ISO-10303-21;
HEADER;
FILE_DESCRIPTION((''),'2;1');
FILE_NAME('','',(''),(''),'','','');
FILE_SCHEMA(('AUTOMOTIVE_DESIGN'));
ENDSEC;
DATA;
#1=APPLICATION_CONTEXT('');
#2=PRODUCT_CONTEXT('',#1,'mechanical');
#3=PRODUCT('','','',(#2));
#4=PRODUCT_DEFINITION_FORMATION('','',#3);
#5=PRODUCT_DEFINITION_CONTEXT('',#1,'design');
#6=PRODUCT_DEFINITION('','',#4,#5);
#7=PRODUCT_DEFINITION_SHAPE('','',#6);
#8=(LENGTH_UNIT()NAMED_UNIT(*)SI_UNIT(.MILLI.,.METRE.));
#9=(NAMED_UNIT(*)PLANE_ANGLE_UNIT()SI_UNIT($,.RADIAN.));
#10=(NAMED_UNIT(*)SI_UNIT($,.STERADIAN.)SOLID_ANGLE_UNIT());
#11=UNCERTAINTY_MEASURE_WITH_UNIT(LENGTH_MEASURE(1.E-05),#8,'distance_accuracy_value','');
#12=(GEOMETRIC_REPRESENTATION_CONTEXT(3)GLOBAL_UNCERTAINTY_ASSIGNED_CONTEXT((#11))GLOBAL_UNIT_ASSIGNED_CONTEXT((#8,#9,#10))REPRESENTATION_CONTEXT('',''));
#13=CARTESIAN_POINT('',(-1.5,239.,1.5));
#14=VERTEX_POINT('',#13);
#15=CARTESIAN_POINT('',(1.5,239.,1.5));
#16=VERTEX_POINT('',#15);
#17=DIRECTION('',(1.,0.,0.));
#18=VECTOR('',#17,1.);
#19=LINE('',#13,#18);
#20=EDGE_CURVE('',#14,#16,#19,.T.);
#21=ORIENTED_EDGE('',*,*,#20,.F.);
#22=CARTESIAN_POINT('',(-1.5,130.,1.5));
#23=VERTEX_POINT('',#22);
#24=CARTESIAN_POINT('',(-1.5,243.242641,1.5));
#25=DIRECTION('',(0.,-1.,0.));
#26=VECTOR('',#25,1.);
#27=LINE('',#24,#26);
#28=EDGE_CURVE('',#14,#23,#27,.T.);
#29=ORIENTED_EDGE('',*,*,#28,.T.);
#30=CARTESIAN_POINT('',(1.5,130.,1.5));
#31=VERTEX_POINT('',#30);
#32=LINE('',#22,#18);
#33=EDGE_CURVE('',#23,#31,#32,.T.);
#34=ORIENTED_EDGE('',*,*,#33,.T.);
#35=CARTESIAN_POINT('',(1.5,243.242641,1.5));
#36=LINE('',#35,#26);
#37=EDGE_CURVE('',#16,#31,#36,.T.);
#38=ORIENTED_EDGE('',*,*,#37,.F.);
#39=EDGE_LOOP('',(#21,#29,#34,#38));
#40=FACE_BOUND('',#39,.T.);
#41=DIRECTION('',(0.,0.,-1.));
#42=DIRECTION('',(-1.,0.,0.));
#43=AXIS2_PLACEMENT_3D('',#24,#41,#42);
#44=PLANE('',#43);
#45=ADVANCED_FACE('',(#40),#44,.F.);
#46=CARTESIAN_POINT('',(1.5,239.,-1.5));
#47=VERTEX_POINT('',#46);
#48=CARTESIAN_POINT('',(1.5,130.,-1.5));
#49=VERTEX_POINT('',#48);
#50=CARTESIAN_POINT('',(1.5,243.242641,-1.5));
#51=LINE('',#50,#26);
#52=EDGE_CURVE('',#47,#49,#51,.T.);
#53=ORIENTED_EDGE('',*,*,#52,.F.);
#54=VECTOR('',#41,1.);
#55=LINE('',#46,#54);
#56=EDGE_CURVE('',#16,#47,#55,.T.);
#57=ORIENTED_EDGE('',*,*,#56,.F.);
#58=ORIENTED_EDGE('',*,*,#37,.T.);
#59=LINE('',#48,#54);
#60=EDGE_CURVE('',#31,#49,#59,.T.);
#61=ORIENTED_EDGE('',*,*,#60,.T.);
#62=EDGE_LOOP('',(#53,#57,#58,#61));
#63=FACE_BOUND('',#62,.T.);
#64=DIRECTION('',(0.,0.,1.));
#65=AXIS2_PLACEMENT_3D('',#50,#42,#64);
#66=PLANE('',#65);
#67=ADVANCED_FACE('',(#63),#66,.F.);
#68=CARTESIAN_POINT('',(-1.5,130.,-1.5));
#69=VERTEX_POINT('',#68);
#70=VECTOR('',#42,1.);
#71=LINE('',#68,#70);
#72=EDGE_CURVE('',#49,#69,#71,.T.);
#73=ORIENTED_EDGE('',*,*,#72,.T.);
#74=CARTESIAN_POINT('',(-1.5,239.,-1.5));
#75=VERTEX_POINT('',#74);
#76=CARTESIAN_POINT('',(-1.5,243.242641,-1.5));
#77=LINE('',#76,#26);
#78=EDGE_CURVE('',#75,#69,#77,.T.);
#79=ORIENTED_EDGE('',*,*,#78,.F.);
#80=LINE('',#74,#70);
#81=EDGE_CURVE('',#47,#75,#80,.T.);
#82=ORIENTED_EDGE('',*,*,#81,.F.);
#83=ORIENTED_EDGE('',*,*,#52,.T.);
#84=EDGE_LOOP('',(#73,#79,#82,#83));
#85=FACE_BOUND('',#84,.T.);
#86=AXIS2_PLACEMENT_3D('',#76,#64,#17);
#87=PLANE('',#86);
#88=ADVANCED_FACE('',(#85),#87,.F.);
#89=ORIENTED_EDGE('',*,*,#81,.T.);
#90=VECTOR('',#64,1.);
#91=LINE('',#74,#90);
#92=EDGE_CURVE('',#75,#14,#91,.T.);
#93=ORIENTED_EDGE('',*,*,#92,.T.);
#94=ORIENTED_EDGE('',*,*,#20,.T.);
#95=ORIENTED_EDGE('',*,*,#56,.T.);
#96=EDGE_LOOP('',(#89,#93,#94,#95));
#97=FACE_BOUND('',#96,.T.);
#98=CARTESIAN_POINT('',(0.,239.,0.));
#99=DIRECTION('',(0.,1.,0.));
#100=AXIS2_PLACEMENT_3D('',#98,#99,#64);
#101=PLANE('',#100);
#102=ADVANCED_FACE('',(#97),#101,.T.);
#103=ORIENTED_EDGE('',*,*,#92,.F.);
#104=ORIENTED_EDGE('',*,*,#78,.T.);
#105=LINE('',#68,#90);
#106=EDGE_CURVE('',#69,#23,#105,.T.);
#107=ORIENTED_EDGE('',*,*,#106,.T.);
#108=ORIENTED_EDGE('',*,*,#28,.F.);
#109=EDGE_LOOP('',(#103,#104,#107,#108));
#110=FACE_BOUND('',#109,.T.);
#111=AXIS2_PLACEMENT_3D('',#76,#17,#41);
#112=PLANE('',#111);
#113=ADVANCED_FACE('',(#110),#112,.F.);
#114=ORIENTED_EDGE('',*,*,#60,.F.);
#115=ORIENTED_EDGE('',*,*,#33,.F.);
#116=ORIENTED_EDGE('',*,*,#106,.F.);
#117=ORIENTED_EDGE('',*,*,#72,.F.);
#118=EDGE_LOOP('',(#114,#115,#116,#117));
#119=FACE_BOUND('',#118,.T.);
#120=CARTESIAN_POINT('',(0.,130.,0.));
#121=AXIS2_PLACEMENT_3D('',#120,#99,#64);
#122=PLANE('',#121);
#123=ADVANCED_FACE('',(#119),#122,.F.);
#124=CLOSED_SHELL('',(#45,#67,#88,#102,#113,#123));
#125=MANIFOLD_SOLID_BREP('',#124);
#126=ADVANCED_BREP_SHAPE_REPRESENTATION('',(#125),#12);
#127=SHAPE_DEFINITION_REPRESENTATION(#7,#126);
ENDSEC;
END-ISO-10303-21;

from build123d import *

# Parameters (mm, degrees)
SKETCH_34_W         = 44.1
SKETCH_34_H         = 35
EXTRUDE_1_DEPTH     = 20.9
SKETCH_35_W         = 8
SKETCH_35_H         = 8
EXTRUDE_2_DEPTH     = 109.1
SKETCH_36_W         = 3
SKETCH_36_H         = 3
EXTRUDE_3_DEPTH     = 109
SKETCH_38_W         = 130
SKETCH_38_H         = 130
CUT_EXTRUDE_2_DEPTH = 131


with BuildPart() as part:
    # ｽｹｯﾁ34 → ﾎﾞｽ - 押し出し1 (new body)
    with BuildSketch(Plane(origin=(0, 0, 0), x_dir=(1, 0, 0), z_dir=(0, 1, 0))):
        Rectangle(SKETCH_34_W, SKETCH_34_H)
    extrude(amount=EXTRUDE_1_DEPTH)

    # ｽｹｯﾁ35 → ﾎﾞｽ - 押し出し2 (add)
    with BuildSketch(Plane(origin=(0, 20.9, 0), x_dir=(1, 0, 0), z_dir=(0, 1, 0))):
        Rectangle(SKETCH_35_W, SKETCH_35_H)
    extrude(amount=EXTRUDE_2_DEPTH)

    # ｽｹｯﾁ36 → ﾎﾞｽ - 押し出し3 (add)
    with BuildSketch(Plane(origin=(0, 130, 0), x_dir=(1, 0, 0), z_dir=(0, 1, 0))):
        Rectangle(SKETCH_36_W, SKETCH_36_H)
    extrude(amount=EXTRUDE_3_DEPTH)

    # ｽｹｯﾁ38 → ｶｯﾄ - 押し出し2 (cut, through all)
    with BuildSketch(Plane(origin=(0, 130, 0), x_dir=(1, 0, 0), z_dir=(0, 1, 0))):
        Rectangle(SKETCH_38_W, SKETCH_38_H)
    extrude(amount=-CUT_EXTRUDE_2_DEPTH, mode=Mode.SUBTRACT)


solid = part.part
